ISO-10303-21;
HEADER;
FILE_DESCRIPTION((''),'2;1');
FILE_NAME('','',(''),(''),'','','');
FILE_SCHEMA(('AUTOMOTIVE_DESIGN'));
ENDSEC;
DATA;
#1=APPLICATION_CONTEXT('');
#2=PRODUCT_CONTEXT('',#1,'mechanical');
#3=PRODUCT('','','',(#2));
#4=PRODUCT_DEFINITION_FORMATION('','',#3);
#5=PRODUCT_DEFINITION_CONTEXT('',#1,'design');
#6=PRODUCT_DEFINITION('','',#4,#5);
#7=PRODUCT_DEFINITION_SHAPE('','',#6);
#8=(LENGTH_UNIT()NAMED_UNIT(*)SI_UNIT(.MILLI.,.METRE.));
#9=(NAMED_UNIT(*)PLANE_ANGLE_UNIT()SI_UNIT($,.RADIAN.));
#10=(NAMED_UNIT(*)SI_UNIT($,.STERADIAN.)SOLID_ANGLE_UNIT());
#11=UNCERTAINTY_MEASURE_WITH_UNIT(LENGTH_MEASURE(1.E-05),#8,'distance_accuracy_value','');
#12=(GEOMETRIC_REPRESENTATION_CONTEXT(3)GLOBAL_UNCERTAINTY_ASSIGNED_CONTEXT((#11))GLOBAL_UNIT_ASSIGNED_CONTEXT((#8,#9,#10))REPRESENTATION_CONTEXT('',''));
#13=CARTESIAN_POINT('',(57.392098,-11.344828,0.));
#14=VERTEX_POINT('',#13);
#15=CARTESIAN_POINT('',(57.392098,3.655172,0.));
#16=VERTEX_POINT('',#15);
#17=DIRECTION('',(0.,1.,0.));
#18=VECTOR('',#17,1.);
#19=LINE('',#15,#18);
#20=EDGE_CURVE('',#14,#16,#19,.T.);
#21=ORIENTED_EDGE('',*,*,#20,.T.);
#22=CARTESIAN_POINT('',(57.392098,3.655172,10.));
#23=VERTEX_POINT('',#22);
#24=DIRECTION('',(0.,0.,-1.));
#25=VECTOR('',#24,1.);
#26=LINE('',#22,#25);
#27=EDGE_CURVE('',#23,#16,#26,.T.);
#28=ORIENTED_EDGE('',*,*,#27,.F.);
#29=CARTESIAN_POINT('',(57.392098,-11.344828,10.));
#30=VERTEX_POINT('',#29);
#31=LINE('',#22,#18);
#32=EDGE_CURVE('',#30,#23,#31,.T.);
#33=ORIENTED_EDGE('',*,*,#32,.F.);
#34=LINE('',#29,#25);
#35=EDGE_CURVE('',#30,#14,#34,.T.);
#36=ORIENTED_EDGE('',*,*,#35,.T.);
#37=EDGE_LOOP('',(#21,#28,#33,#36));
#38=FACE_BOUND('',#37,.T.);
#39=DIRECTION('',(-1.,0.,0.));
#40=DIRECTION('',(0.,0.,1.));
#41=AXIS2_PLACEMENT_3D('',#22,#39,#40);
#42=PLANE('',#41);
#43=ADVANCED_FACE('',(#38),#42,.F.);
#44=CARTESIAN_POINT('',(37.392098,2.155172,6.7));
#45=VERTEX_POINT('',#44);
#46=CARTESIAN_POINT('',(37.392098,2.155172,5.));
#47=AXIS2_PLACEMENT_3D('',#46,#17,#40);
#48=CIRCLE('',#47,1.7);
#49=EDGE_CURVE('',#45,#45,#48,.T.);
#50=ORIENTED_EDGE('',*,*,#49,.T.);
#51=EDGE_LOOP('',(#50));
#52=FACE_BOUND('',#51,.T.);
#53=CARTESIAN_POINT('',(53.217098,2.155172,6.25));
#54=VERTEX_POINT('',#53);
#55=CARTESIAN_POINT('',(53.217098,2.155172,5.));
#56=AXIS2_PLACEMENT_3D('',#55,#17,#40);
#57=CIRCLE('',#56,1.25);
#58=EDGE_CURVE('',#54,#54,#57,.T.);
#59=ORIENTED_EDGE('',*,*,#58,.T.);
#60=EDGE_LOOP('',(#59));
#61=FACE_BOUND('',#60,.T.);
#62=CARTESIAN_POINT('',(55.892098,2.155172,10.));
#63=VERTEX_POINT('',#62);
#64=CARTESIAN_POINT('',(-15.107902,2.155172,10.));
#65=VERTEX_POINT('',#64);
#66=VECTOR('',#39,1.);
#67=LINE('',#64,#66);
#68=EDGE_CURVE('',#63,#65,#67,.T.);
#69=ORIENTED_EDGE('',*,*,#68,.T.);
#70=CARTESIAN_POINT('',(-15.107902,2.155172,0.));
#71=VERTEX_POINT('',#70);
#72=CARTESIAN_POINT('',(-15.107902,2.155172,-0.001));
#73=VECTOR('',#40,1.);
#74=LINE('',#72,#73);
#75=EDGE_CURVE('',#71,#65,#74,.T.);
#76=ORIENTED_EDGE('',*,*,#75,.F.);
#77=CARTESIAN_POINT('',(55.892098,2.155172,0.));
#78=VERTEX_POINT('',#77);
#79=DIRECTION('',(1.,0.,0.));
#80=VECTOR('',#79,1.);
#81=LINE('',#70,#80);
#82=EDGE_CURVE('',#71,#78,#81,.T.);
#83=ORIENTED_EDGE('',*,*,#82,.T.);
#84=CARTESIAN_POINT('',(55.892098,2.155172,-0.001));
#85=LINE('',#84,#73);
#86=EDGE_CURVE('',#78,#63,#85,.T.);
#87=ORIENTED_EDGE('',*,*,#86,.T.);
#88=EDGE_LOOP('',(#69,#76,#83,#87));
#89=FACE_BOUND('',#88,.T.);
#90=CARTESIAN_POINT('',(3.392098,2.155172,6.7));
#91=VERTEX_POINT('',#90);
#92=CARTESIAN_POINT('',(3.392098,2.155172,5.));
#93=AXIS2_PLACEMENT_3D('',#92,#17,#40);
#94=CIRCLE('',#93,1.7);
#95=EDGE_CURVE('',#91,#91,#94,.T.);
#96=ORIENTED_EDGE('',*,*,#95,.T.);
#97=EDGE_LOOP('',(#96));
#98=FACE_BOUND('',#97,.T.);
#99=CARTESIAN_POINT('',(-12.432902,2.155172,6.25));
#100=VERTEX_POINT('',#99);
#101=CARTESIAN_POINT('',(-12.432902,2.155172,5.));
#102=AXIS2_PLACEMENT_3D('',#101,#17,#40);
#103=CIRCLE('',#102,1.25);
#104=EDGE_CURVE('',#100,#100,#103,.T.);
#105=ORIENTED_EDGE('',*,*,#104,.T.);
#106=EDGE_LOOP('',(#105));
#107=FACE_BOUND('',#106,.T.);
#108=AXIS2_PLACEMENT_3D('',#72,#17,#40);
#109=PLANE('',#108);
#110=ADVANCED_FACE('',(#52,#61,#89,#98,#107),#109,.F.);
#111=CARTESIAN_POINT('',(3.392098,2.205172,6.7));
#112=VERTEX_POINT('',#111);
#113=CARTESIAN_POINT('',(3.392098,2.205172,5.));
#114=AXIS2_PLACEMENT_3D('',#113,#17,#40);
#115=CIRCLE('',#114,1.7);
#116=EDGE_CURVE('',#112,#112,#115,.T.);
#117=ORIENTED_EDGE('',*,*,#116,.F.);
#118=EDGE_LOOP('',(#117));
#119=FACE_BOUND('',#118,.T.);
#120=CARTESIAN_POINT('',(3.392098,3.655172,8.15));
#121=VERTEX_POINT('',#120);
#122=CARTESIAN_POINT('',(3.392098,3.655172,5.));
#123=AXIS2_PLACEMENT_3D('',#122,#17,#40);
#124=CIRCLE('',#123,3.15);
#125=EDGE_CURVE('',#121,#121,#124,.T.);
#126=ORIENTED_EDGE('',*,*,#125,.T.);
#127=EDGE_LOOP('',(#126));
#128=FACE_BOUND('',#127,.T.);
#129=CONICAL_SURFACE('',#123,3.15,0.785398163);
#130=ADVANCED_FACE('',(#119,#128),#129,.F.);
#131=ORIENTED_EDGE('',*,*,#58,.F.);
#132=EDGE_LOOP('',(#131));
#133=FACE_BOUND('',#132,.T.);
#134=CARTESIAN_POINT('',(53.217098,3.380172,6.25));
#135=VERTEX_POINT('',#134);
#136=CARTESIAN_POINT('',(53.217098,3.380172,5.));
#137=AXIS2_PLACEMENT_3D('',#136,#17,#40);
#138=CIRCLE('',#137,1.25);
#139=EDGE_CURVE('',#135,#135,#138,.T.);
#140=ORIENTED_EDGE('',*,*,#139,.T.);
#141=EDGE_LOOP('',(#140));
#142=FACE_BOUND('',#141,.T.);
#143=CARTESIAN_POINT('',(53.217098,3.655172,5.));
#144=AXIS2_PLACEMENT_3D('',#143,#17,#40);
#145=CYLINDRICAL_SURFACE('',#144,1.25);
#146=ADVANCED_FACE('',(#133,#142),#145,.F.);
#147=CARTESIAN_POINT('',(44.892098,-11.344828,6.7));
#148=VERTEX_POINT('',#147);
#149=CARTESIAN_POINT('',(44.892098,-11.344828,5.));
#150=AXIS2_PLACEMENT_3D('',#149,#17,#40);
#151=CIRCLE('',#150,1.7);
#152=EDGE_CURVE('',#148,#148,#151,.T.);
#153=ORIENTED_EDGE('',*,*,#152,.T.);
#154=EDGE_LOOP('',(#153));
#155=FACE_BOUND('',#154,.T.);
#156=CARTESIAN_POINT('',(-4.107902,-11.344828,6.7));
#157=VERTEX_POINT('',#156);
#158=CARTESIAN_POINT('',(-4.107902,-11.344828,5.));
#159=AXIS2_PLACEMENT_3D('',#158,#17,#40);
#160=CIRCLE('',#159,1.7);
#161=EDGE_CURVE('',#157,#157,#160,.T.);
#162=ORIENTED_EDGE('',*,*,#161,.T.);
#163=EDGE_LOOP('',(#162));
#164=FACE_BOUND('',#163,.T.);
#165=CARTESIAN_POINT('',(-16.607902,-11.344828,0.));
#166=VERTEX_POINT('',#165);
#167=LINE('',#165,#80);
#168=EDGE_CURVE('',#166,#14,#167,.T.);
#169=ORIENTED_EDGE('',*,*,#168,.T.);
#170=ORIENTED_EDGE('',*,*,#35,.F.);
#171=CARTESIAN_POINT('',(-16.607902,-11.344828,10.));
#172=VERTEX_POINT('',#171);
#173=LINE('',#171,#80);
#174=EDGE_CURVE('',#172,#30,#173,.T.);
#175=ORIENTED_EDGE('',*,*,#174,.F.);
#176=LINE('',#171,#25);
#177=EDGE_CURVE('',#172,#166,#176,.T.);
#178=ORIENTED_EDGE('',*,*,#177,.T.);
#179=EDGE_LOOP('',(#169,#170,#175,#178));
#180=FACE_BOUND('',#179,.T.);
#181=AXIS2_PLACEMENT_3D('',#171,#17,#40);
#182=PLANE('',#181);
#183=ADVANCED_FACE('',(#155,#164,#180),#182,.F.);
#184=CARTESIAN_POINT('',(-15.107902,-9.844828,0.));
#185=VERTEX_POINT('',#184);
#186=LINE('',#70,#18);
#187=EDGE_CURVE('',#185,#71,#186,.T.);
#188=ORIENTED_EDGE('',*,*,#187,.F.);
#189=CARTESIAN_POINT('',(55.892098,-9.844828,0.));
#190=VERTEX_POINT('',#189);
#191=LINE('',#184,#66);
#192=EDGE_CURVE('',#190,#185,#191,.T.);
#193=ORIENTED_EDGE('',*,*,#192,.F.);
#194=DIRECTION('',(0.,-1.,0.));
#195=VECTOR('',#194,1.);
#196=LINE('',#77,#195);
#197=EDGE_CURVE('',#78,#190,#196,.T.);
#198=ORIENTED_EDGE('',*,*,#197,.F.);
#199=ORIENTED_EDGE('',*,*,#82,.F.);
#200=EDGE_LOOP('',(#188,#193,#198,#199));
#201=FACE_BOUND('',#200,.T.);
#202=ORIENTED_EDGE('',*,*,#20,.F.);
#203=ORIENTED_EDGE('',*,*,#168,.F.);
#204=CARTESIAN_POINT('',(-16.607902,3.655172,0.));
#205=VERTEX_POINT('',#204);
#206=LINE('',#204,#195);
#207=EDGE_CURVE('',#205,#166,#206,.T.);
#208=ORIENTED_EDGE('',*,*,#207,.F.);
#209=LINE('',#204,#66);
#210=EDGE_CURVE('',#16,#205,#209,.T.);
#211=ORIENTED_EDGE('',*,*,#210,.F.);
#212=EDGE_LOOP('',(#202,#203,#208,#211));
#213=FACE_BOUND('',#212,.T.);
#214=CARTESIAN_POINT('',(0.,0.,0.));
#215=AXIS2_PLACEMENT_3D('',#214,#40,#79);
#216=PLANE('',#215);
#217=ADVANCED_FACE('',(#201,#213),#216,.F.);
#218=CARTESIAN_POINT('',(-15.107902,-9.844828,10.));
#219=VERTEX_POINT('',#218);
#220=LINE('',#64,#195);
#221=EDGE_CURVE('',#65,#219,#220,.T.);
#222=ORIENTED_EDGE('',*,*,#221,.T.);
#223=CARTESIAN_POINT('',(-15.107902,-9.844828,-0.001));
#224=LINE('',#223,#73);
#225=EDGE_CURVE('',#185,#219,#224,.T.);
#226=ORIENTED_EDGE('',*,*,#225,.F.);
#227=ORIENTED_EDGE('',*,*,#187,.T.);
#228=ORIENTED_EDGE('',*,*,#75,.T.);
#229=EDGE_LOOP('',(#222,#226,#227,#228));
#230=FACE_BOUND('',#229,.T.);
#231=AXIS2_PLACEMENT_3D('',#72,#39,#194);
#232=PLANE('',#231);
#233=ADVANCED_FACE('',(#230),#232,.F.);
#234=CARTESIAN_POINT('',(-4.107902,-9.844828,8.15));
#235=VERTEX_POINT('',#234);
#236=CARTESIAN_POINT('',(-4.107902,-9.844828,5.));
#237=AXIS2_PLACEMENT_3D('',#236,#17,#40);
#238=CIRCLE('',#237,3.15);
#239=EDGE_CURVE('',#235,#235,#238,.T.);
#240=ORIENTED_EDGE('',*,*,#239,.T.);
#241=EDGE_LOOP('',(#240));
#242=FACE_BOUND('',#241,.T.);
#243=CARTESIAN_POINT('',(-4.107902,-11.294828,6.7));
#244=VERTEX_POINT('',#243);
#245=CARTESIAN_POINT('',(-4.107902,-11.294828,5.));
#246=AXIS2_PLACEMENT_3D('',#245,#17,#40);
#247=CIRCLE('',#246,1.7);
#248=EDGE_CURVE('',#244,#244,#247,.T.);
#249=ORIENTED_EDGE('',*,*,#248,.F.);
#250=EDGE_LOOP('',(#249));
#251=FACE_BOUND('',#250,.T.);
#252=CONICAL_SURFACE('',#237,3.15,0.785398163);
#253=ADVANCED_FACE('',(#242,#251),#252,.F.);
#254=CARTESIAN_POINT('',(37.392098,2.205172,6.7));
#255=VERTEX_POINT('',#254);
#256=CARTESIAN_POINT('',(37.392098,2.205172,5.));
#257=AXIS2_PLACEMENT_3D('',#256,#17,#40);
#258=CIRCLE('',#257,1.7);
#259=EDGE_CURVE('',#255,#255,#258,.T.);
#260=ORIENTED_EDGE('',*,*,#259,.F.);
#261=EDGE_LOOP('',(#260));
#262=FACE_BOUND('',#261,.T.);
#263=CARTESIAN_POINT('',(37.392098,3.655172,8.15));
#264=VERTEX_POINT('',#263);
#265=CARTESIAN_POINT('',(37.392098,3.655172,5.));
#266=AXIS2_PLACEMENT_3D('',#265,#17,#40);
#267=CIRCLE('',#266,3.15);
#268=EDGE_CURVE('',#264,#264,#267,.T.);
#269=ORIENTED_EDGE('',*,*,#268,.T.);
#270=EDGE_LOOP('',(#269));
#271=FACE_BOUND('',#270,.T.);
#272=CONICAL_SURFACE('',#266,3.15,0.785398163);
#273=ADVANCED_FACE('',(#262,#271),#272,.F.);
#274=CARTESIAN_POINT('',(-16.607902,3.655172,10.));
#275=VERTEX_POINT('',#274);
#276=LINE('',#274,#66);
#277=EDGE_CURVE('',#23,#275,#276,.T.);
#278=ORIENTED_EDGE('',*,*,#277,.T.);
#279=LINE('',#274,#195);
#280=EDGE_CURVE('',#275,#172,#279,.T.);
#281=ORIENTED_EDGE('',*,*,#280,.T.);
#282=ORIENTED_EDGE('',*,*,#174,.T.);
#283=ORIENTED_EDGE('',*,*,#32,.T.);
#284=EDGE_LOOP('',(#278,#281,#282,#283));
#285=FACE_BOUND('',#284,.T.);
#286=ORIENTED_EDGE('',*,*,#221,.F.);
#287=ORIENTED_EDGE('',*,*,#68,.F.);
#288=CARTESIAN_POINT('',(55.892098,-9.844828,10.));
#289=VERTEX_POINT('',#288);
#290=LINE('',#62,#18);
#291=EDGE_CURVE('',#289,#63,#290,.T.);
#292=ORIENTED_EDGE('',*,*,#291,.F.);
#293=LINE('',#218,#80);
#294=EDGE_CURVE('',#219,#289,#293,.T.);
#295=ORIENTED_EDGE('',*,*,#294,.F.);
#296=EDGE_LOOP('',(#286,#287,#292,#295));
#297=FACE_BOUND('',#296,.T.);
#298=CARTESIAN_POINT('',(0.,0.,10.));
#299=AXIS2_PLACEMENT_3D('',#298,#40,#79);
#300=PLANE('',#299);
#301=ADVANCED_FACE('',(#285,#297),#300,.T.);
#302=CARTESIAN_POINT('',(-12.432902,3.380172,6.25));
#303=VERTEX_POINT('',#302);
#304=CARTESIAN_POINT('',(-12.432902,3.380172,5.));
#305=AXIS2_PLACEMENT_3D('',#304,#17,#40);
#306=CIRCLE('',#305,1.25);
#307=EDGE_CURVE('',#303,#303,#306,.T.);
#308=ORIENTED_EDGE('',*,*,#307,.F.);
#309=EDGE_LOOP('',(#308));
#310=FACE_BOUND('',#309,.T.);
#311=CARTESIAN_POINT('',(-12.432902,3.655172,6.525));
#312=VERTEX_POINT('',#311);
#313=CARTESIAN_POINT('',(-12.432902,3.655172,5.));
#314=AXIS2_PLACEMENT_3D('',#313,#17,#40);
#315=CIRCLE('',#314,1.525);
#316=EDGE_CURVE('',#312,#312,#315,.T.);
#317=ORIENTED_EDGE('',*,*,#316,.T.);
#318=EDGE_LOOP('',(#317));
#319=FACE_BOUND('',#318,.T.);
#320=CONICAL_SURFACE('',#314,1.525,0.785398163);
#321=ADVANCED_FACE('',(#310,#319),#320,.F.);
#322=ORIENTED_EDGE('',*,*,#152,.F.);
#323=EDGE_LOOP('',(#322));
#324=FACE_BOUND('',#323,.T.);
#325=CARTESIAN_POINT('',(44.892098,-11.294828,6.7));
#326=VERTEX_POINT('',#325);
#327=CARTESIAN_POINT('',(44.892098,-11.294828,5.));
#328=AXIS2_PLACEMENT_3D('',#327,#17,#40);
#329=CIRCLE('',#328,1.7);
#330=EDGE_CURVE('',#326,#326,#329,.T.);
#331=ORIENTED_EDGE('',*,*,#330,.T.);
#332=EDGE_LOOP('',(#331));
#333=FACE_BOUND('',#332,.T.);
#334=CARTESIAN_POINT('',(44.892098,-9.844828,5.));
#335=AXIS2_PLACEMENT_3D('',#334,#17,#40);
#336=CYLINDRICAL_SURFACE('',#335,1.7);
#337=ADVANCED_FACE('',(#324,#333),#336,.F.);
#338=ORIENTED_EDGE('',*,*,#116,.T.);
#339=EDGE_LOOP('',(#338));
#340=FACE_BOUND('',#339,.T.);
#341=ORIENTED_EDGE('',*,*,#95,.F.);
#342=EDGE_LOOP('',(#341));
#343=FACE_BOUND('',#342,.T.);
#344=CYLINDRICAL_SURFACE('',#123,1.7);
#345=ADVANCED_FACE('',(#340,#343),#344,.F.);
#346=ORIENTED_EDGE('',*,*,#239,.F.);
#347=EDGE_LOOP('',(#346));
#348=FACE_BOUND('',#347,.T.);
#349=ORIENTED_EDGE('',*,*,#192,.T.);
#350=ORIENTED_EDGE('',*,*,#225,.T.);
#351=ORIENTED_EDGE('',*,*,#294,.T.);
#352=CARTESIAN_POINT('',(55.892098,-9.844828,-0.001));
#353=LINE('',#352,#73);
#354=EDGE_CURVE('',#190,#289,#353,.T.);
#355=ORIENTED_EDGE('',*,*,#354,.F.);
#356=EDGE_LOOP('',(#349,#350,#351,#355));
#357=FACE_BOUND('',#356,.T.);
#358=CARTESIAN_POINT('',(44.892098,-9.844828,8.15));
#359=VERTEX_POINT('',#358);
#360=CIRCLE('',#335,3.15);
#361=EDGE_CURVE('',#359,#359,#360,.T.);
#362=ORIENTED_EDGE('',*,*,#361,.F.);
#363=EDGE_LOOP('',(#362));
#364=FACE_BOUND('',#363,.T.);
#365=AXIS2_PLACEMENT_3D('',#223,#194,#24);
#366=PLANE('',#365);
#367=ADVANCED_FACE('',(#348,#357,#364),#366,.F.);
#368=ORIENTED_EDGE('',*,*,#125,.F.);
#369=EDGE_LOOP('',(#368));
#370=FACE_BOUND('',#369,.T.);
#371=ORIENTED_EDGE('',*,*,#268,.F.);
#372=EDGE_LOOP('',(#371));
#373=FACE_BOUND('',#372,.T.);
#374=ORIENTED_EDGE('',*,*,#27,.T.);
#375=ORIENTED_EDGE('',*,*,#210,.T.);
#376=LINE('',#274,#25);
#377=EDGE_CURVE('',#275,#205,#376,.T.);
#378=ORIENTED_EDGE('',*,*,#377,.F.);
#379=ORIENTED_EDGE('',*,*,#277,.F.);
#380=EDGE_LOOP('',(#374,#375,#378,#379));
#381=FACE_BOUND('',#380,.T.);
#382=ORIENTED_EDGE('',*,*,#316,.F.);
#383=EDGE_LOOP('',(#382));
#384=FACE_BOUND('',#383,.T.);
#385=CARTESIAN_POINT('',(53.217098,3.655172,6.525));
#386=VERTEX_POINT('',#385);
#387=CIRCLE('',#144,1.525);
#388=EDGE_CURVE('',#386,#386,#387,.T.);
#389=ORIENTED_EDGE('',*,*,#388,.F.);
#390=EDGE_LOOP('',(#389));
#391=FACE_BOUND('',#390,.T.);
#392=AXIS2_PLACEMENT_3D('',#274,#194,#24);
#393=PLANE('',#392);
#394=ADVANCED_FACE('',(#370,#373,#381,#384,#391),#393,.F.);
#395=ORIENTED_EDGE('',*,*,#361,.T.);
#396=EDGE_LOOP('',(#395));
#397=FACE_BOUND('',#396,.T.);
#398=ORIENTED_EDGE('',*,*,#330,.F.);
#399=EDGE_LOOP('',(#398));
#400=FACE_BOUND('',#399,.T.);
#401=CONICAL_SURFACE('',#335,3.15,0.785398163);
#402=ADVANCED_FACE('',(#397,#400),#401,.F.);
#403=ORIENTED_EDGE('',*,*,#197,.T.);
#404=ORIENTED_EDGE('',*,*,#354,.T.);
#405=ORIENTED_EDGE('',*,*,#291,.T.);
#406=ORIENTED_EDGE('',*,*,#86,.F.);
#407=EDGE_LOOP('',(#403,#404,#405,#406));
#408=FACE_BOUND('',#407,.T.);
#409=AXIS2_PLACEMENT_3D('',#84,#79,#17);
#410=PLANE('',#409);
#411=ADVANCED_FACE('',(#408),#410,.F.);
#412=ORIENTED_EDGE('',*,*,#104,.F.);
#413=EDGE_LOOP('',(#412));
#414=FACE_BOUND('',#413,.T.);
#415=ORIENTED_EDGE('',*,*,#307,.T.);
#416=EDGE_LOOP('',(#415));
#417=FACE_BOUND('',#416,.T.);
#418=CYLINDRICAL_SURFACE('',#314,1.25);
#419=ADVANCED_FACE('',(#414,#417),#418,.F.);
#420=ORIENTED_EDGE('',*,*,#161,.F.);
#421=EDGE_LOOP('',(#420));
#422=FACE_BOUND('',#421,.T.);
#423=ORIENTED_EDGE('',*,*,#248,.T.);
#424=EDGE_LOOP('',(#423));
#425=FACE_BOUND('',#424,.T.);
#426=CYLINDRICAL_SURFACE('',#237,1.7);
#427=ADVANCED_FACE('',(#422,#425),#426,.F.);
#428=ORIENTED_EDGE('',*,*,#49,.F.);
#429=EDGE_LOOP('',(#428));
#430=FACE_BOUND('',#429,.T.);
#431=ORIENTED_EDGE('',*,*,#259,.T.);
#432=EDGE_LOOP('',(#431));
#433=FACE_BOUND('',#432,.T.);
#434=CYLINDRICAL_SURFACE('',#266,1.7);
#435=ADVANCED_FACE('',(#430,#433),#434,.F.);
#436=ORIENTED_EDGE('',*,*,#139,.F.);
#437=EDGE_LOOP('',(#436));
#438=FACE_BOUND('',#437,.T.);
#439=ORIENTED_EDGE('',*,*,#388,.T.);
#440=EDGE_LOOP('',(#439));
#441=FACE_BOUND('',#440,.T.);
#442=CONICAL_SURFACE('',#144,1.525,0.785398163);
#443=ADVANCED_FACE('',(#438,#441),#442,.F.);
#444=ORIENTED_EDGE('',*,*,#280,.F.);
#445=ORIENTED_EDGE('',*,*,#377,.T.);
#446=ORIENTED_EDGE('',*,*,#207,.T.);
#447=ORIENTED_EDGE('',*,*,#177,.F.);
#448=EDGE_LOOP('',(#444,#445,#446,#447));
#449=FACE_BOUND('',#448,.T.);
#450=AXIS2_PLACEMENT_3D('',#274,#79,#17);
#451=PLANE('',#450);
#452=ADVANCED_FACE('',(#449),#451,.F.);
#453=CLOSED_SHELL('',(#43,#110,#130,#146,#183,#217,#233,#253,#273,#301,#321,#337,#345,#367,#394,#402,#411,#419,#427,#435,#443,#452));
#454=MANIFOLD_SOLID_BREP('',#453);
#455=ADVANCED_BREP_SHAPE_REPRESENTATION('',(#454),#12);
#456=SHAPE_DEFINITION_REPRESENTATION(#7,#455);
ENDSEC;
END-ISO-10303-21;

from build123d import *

# Parameters (mm, degrees)
SKIZZE1_W                                      = 74
SKIZZE1_H                                      = 15
AUFSATZ_LINEAR_AUSTRAGEN1_DEPTH                = 10
SCHNITT_LINEAR_AUSTRAGEN1_REACH                = 61.351
SKIZZE2_W                                      = 71
SKIZZE2_H                                      = 12
FORMSENKUNG_F_R_M3_LINSENSENKSCHRAUB_2_COUNT   = 2
FORMSENKUNG_F_R_M3_LINSENSENKSCHRAUB_2_PITCH   = 34
M3_GEWINDEBOHRUNG1_AT_2_COUNT                  = 2
M3_GEWINDEBOHRUNG1_AT_2_PITCH                  = 65.65
FORMSENKUNG_F_R_M3_LINSENSENKSCHRAUB_3_A_COUNT = 2
FORMSENKUNG_F_R_M3_LINSENSENKSCHRAUB_3_A_PITCH = 49


with BuildPart() as part:
    # Skizze1 → Aufsatz-Linear austragen1 (new body)
    with BuildSketch(Plane.XY):
        with Locations((20.392098069, -3.844827586)):
            Rectangle(SKIZZE1_W, SKIZZE1_H)
    extrude(amount=AUFSATZ_LINEAR_AUSTRAGEN1_DEPTH)

    # Skizze2 → Schnitt-Linear austragen1 (cut, up to next)
    with BuildSketch(Plane.XY.offset(10), mode=Mode.PRIVATE) as schnitt_linear_austragen1_sk1:
        with Locations((20.392098069, -3.844827586)):
            Rectangle(SKIZZE2_W, SKIZZE2_H)
    schnitt_linear_austragen1_tool1 = extrude(schnitt_linear_austragen1_sk1.sketch, amount=-SCHNITT_LINEAR_AUSTRAGEN1_REACH, mode=Mode.PRIVATE) & part.part
    add(schnitt_linear_austragen1_tool1.solids().sort_by_distance((20.392098, -3.844828, 10))[0], mode=Mode.SUBTRACT)

    # Skizze10 → Formsenkung f_r M3 Linsensenkschraube mi (revolve, cut)
    with BuildSketch(Plane(origin=(3.392098069, 3.655172414, 5), x_dir=(0, 0, 1), z_dir=(1, 0, 0))):
        Polygon((0, 0), (0, 1.5), (1.7, 1.5), (1.7, 1.45), (3.15, 0), align=None)
    formsenkung_f_r_m3_linsensenkschraube_mi = revolve(axis=Axis((3.392098069, 10.005172414, 5), (0, -1, 0)), mode=Mode.SUBTRACT)

    # Formsenkung f_r M3 Linsensenkschraub 2: Formsenkung f_r M3 Linsensenkschraube mi ×2
    with Locations(*[(i * FORMSENKUNG_F_R_M3_LINSENSENKSCHRAUB_2_PITCH, 0, 0) for i in range(1, FORMSENKUNG_F_R_M3_LINSENSENKSCHRAUB_2_COUNT)]):
        add(formsenkung_f_r_m3_linsensenkschraube_mi, mode=Mode.SUBTRACT)

    # Skizze12 → M3 Gewindebohrung1 (revolve, cut)
    with BuildSketch(Plane(origin=(53.217098069, 3.655172414, 5), x_dir=(0, 0, 1), z_dir=(1, 0, 0))):
        Polygon((0, 0), (0, 1.5), (1.25, 1.5), (1.25, 0.275), (1.525, 0), align=None)
    m3_gewindebohrung1 = revolve(axis=Axis((53.217098069, 10.005172414, 5), (0, -1, 0)), mode=Mode.SUBTRACT)

    # M3 Gewindebohrung1 at 2: M3 Gewindebohrung1 ×2
    with Locations(*[(-i * M3_GEWINDEBOHRUNG1_AT_2_PITCH, 0, 0) for i in range(1, M3_GEWINDEBOHRUNG1_AT_2_COUNT)]):
        add(m3_gewindebohrung1, mode=Mode.SUBTRACT)

    # Skizze16 → Formsenkung f_r M3 Linsensenkschraub 3 (revolve, cut)
    with BuildSketch(Plane(origin=(44.892098069, -9.844827586, 5), x_dir=(0, 0, 1), z_dir=(1, 0, 0))):
        Polygon((0, 0), (0, 1.5), (1.7, 1.5), (1.7, 1.45), (3.15, 0), align=None)
    formsenkung_f_r_m3_linsensenkschraub_3 = revolve(axis=Axis((44.892098069, -3.494827586, 5), (0, -1, 0)), mode=Mode.SUBTRACT)

    # Formsenkung f_r M3 Linsensenkschraub 3 a: Formsenkung f_r M3 Linsensenkschraub 3 ×2
    with Locations(*[(-i * FORMSENKUNG_F_R_M3_LINSENSENKSCHRAUB_3_A_PITCH, 0, 0) for i in range(1, FORMSENKUNG_F_R_M3_LINSENSENKSCHRAUB_3_A_COUNT)]):
        add(formsenkung_f_r_m3_linsensenkschraub_3, mode=Mode.SUBTRACT)


solid = part.part
